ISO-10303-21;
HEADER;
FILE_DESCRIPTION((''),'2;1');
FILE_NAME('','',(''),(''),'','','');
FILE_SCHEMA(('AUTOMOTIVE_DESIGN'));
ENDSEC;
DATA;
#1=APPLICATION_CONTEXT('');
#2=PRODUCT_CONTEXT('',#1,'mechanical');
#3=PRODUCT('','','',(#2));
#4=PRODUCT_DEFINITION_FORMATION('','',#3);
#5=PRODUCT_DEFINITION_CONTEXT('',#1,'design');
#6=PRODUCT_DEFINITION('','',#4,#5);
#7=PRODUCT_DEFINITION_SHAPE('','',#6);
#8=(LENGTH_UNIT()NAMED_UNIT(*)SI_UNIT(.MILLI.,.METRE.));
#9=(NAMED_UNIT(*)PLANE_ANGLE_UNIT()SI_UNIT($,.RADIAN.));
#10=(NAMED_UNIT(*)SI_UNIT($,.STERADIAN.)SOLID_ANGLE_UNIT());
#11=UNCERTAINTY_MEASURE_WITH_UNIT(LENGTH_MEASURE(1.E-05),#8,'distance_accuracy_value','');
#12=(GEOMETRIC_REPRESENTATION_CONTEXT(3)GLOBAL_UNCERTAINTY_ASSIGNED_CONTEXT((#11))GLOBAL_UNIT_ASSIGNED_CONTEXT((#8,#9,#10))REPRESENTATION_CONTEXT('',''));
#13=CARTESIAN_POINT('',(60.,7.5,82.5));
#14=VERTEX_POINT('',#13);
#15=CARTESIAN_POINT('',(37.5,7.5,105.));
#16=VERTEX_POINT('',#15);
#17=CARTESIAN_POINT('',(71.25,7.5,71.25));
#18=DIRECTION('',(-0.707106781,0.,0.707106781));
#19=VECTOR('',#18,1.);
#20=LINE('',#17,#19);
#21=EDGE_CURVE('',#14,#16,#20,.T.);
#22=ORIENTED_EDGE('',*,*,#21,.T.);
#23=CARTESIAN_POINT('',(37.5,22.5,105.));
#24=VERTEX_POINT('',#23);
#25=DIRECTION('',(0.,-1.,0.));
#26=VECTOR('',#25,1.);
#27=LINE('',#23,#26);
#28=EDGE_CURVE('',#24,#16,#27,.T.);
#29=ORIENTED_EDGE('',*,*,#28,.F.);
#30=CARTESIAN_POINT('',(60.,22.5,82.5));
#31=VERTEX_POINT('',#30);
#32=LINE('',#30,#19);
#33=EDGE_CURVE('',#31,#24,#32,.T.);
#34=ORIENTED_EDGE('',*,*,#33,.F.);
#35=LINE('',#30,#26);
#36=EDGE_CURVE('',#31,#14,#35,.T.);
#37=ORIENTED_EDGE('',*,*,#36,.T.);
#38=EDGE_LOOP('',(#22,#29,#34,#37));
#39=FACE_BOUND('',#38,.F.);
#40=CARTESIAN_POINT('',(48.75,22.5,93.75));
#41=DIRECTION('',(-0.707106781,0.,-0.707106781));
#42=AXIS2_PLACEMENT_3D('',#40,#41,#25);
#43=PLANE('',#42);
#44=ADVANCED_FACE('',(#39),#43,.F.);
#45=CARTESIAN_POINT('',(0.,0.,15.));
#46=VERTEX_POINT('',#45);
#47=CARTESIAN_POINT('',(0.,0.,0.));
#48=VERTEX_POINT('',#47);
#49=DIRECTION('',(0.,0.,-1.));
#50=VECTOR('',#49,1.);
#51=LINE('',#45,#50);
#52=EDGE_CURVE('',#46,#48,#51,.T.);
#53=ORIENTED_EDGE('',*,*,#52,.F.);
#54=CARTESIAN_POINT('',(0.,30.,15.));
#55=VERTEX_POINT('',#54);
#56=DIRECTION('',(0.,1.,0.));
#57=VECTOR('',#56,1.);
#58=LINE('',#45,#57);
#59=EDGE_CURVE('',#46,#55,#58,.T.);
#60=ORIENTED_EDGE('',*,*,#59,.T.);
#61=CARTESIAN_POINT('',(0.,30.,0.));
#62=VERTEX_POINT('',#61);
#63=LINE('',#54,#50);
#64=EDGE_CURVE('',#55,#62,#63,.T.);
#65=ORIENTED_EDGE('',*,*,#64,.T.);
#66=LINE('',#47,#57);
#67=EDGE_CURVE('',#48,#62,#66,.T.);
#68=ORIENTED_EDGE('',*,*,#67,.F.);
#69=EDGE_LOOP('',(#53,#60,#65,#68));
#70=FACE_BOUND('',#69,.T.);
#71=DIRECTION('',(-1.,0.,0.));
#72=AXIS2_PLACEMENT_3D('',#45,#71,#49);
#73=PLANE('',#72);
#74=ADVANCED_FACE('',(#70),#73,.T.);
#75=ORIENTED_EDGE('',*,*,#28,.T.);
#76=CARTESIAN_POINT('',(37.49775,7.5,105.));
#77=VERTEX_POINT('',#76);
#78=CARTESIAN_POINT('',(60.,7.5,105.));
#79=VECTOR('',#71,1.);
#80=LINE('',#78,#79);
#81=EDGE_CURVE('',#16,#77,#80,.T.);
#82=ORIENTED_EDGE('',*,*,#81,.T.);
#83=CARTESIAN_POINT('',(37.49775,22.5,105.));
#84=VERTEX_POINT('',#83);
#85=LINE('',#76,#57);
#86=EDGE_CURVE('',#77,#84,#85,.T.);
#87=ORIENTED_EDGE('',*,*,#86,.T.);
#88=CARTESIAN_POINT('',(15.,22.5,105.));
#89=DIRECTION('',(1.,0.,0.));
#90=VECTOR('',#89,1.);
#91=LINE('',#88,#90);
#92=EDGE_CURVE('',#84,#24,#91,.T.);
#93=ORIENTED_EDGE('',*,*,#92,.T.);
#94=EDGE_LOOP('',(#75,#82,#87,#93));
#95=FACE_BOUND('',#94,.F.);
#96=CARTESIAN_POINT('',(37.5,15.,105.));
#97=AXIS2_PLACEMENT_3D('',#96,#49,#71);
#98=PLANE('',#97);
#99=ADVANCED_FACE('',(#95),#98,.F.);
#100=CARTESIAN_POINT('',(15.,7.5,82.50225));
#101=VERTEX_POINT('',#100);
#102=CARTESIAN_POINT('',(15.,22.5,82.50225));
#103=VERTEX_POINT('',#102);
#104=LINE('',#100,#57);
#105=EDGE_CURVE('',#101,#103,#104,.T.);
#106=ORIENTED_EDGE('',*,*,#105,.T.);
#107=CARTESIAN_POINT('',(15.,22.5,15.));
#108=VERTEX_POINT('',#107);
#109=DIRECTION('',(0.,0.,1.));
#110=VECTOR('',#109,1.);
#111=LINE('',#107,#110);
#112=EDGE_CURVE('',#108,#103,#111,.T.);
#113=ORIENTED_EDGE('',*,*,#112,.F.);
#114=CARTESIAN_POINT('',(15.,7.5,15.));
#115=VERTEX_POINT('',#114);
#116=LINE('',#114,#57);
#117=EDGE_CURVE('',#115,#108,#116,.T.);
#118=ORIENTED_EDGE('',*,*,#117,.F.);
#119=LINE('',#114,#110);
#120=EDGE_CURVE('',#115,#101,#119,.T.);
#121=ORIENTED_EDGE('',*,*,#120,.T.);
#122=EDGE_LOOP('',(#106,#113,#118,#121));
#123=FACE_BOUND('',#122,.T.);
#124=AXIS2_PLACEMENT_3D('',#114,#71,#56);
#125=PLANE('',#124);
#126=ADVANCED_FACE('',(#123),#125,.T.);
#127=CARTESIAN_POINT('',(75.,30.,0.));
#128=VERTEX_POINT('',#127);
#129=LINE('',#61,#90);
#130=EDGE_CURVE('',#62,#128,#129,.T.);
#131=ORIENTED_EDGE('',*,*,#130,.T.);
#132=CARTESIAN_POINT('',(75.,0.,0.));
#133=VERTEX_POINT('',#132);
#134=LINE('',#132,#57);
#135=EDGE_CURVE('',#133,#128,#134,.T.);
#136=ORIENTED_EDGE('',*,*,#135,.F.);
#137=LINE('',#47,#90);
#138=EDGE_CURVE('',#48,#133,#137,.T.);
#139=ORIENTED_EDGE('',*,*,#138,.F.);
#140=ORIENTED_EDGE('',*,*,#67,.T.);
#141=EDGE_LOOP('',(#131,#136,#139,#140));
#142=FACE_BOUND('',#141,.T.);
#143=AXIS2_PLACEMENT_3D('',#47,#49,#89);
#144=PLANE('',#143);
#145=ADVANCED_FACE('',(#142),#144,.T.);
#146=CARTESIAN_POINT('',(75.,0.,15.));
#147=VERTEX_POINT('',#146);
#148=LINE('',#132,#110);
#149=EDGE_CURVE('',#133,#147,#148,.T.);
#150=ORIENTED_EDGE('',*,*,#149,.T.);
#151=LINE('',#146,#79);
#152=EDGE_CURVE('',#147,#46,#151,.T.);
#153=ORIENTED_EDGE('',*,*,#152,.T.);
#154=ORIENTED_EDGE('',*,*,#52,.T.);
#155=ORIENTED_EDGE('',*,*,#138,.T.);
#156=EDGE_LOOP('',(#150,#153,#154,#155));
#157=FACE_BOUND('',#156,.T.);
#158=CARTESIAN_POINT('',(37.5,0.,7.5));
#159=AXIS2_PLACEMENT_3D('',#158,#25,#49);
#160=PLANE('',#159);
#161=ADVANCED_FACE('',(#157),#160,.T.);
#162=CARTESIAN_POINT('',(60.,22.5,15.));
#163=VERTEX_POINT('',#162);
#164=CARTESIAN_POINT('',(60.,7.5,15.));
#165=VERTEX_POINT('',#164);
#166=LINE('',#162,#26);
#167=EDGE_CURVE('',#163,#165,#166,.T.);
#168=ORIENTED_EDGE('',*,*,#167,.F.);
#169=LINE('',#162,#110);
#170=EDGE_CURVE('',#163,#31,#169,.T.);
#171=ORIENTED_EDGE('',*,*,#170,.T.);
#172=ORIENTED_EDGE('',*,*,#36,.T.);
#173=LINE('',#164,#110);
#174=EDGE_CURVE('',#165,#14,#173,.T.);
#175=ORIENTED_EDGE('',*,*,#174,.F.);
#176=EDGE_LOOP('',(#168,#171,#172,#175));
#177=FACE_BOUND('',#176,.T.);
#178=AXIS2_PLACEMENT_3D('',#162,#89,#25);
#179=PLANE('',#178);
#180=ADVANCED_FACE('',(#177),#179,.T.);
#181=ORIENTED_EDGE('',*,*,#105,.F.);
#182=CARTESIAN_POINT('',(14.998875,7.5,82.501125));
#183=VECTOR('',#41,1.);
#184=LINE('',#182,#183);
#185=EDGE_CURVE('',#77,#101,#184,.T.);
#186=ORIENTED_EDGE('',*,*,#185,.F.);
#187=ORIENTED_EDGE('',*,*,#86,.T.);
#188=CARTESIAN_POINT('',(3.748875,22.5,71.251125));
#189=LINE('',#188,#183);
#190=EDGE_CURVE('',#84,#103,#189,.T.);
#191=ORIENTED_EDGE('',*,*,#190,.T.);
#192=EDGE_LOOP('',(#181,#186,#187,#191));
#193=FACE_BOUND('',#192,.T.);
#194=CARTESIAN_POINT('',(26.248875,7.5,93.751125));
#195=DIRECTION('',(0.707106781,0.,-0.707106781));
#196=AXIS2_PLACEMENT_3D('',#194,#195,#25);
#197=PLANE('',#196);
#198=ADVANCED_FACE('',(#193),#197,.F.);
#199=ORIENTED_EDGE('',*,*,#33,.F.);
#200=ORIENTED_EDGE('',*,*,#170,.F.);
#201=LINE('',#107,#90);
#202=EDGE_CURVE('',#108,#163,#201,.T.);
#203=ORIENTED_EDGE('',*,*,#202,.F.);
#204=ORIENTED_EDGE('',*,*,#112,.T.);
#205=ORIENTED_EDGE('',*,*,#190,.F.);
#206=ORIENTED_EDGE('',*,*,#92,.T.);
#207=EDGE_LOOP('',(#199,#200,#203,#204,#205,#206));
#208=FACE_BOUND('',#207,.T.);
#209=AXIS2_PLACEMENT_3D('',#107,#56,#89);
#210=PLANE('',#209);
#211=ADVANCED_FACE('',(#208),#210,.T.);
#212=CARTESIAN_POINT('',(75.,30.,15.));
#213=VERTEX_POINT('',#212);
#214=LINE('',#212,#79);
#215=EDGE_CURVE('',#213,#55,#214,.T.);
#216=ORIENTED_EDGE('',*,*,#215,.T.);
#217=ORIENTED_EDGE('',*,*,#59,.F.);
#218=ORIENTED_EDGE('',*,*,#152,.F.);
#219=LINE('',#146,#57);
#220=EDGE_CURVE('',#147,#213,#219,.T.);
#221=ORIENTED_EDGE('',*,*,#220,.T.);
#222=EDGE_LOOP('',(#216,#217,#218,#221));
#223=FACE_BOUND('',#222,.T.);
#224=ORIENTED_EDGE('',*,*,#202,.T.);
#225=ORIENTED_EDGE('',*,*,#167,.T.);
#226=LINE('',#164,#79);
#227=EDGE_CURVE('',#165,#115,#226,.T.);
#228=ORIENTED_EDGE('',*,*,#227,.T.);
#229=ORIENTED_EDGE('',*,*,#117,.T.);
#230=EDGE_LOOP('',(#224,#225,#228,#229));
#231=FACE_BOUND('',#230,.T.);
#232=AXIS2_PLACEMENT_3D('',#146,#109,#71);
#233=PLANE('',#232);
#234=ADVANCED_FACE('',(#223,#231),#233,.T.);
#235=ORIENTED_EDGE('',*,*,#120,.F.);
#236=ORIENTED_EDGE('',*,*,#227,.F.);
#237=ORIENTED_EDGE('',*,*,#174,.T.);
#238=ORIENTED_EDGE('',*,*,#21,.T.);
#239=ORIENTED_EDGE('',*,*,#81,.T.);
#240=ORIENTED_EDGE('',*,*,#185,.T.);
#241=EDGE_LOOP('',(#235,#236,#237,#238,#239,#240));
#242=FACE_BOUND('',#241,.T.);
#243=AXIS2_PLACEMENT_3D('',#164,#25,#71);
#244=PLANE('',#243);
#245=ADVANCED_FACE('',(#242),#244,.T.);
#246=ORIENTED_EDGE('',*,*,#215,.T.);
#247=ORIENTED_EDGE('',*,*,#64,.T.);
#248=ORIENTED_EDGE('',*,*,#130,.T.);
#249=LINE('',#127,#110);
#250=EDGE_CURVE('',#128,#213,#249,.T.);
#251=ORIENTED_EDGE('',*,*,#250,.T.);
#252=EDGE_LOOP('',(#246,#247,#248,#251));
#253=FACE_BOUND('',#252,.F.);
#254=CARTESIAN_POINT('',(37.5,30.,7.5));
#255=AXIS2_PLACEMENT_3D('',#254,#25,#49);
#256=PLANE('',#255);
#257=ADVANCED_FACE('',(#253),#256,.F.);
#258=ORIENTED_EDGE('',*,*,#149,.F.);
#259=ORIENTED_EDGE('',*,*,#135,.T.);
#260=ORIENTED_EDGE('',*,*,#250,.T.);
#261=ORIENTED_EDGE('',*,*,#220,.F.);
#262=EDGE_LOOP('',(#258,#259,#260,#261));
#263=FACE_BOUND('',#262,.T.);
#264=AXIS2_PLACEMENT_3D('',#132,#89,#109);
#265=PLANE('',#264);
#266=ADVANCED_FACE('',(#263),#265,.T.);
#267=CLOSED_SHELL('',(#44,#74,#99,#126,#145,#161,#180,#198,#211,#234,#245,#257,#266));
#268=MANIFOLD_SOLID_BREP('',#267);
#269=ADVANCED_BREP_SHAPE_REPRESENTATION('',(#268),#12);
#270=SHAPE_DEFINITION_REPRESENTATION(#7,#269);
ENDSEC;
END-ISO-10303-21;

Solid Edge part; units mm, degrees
sketch "Sketch1" plane through (0, 0, 0) normal (0, -1, 0) x (1, 0, 0)
  line L0 (75, 15) -> (0, 15)
  line L1 (0, 15) -> (0, 0)
  line L2 (0, 0) -> (75, 0)
  line L3 (75, 0) -> (75, 15)
extrude "Protrusion1" add sketch "Sketch1" against normal blind 30
sketch "Sketch2" plane through (37.5, 15, 15) normal (0, 0, 1) x (1, 0, 0)
  line L0 (-22.5, 7.5) -> (22.5, 7.5)
  line L1 (22.5, 7.5) -> (22.5, -7.5)
  line L2 (22.5, -7.5) -> (-22.5, -7.5)
  line L3 (-22.5, -7.5) -> (-22.5, 7.5)
extrude "ExtrudedProtrusion_2" add sketch "Sketch2" along normal blind 90
chamfer "Chamfer_4" distance 22.5 angle 45 1 edges at (60, 15, 105)
chamfer "Chamfer_5" distance 22.5 angle 45 1 edges at (15, 15, 105)
